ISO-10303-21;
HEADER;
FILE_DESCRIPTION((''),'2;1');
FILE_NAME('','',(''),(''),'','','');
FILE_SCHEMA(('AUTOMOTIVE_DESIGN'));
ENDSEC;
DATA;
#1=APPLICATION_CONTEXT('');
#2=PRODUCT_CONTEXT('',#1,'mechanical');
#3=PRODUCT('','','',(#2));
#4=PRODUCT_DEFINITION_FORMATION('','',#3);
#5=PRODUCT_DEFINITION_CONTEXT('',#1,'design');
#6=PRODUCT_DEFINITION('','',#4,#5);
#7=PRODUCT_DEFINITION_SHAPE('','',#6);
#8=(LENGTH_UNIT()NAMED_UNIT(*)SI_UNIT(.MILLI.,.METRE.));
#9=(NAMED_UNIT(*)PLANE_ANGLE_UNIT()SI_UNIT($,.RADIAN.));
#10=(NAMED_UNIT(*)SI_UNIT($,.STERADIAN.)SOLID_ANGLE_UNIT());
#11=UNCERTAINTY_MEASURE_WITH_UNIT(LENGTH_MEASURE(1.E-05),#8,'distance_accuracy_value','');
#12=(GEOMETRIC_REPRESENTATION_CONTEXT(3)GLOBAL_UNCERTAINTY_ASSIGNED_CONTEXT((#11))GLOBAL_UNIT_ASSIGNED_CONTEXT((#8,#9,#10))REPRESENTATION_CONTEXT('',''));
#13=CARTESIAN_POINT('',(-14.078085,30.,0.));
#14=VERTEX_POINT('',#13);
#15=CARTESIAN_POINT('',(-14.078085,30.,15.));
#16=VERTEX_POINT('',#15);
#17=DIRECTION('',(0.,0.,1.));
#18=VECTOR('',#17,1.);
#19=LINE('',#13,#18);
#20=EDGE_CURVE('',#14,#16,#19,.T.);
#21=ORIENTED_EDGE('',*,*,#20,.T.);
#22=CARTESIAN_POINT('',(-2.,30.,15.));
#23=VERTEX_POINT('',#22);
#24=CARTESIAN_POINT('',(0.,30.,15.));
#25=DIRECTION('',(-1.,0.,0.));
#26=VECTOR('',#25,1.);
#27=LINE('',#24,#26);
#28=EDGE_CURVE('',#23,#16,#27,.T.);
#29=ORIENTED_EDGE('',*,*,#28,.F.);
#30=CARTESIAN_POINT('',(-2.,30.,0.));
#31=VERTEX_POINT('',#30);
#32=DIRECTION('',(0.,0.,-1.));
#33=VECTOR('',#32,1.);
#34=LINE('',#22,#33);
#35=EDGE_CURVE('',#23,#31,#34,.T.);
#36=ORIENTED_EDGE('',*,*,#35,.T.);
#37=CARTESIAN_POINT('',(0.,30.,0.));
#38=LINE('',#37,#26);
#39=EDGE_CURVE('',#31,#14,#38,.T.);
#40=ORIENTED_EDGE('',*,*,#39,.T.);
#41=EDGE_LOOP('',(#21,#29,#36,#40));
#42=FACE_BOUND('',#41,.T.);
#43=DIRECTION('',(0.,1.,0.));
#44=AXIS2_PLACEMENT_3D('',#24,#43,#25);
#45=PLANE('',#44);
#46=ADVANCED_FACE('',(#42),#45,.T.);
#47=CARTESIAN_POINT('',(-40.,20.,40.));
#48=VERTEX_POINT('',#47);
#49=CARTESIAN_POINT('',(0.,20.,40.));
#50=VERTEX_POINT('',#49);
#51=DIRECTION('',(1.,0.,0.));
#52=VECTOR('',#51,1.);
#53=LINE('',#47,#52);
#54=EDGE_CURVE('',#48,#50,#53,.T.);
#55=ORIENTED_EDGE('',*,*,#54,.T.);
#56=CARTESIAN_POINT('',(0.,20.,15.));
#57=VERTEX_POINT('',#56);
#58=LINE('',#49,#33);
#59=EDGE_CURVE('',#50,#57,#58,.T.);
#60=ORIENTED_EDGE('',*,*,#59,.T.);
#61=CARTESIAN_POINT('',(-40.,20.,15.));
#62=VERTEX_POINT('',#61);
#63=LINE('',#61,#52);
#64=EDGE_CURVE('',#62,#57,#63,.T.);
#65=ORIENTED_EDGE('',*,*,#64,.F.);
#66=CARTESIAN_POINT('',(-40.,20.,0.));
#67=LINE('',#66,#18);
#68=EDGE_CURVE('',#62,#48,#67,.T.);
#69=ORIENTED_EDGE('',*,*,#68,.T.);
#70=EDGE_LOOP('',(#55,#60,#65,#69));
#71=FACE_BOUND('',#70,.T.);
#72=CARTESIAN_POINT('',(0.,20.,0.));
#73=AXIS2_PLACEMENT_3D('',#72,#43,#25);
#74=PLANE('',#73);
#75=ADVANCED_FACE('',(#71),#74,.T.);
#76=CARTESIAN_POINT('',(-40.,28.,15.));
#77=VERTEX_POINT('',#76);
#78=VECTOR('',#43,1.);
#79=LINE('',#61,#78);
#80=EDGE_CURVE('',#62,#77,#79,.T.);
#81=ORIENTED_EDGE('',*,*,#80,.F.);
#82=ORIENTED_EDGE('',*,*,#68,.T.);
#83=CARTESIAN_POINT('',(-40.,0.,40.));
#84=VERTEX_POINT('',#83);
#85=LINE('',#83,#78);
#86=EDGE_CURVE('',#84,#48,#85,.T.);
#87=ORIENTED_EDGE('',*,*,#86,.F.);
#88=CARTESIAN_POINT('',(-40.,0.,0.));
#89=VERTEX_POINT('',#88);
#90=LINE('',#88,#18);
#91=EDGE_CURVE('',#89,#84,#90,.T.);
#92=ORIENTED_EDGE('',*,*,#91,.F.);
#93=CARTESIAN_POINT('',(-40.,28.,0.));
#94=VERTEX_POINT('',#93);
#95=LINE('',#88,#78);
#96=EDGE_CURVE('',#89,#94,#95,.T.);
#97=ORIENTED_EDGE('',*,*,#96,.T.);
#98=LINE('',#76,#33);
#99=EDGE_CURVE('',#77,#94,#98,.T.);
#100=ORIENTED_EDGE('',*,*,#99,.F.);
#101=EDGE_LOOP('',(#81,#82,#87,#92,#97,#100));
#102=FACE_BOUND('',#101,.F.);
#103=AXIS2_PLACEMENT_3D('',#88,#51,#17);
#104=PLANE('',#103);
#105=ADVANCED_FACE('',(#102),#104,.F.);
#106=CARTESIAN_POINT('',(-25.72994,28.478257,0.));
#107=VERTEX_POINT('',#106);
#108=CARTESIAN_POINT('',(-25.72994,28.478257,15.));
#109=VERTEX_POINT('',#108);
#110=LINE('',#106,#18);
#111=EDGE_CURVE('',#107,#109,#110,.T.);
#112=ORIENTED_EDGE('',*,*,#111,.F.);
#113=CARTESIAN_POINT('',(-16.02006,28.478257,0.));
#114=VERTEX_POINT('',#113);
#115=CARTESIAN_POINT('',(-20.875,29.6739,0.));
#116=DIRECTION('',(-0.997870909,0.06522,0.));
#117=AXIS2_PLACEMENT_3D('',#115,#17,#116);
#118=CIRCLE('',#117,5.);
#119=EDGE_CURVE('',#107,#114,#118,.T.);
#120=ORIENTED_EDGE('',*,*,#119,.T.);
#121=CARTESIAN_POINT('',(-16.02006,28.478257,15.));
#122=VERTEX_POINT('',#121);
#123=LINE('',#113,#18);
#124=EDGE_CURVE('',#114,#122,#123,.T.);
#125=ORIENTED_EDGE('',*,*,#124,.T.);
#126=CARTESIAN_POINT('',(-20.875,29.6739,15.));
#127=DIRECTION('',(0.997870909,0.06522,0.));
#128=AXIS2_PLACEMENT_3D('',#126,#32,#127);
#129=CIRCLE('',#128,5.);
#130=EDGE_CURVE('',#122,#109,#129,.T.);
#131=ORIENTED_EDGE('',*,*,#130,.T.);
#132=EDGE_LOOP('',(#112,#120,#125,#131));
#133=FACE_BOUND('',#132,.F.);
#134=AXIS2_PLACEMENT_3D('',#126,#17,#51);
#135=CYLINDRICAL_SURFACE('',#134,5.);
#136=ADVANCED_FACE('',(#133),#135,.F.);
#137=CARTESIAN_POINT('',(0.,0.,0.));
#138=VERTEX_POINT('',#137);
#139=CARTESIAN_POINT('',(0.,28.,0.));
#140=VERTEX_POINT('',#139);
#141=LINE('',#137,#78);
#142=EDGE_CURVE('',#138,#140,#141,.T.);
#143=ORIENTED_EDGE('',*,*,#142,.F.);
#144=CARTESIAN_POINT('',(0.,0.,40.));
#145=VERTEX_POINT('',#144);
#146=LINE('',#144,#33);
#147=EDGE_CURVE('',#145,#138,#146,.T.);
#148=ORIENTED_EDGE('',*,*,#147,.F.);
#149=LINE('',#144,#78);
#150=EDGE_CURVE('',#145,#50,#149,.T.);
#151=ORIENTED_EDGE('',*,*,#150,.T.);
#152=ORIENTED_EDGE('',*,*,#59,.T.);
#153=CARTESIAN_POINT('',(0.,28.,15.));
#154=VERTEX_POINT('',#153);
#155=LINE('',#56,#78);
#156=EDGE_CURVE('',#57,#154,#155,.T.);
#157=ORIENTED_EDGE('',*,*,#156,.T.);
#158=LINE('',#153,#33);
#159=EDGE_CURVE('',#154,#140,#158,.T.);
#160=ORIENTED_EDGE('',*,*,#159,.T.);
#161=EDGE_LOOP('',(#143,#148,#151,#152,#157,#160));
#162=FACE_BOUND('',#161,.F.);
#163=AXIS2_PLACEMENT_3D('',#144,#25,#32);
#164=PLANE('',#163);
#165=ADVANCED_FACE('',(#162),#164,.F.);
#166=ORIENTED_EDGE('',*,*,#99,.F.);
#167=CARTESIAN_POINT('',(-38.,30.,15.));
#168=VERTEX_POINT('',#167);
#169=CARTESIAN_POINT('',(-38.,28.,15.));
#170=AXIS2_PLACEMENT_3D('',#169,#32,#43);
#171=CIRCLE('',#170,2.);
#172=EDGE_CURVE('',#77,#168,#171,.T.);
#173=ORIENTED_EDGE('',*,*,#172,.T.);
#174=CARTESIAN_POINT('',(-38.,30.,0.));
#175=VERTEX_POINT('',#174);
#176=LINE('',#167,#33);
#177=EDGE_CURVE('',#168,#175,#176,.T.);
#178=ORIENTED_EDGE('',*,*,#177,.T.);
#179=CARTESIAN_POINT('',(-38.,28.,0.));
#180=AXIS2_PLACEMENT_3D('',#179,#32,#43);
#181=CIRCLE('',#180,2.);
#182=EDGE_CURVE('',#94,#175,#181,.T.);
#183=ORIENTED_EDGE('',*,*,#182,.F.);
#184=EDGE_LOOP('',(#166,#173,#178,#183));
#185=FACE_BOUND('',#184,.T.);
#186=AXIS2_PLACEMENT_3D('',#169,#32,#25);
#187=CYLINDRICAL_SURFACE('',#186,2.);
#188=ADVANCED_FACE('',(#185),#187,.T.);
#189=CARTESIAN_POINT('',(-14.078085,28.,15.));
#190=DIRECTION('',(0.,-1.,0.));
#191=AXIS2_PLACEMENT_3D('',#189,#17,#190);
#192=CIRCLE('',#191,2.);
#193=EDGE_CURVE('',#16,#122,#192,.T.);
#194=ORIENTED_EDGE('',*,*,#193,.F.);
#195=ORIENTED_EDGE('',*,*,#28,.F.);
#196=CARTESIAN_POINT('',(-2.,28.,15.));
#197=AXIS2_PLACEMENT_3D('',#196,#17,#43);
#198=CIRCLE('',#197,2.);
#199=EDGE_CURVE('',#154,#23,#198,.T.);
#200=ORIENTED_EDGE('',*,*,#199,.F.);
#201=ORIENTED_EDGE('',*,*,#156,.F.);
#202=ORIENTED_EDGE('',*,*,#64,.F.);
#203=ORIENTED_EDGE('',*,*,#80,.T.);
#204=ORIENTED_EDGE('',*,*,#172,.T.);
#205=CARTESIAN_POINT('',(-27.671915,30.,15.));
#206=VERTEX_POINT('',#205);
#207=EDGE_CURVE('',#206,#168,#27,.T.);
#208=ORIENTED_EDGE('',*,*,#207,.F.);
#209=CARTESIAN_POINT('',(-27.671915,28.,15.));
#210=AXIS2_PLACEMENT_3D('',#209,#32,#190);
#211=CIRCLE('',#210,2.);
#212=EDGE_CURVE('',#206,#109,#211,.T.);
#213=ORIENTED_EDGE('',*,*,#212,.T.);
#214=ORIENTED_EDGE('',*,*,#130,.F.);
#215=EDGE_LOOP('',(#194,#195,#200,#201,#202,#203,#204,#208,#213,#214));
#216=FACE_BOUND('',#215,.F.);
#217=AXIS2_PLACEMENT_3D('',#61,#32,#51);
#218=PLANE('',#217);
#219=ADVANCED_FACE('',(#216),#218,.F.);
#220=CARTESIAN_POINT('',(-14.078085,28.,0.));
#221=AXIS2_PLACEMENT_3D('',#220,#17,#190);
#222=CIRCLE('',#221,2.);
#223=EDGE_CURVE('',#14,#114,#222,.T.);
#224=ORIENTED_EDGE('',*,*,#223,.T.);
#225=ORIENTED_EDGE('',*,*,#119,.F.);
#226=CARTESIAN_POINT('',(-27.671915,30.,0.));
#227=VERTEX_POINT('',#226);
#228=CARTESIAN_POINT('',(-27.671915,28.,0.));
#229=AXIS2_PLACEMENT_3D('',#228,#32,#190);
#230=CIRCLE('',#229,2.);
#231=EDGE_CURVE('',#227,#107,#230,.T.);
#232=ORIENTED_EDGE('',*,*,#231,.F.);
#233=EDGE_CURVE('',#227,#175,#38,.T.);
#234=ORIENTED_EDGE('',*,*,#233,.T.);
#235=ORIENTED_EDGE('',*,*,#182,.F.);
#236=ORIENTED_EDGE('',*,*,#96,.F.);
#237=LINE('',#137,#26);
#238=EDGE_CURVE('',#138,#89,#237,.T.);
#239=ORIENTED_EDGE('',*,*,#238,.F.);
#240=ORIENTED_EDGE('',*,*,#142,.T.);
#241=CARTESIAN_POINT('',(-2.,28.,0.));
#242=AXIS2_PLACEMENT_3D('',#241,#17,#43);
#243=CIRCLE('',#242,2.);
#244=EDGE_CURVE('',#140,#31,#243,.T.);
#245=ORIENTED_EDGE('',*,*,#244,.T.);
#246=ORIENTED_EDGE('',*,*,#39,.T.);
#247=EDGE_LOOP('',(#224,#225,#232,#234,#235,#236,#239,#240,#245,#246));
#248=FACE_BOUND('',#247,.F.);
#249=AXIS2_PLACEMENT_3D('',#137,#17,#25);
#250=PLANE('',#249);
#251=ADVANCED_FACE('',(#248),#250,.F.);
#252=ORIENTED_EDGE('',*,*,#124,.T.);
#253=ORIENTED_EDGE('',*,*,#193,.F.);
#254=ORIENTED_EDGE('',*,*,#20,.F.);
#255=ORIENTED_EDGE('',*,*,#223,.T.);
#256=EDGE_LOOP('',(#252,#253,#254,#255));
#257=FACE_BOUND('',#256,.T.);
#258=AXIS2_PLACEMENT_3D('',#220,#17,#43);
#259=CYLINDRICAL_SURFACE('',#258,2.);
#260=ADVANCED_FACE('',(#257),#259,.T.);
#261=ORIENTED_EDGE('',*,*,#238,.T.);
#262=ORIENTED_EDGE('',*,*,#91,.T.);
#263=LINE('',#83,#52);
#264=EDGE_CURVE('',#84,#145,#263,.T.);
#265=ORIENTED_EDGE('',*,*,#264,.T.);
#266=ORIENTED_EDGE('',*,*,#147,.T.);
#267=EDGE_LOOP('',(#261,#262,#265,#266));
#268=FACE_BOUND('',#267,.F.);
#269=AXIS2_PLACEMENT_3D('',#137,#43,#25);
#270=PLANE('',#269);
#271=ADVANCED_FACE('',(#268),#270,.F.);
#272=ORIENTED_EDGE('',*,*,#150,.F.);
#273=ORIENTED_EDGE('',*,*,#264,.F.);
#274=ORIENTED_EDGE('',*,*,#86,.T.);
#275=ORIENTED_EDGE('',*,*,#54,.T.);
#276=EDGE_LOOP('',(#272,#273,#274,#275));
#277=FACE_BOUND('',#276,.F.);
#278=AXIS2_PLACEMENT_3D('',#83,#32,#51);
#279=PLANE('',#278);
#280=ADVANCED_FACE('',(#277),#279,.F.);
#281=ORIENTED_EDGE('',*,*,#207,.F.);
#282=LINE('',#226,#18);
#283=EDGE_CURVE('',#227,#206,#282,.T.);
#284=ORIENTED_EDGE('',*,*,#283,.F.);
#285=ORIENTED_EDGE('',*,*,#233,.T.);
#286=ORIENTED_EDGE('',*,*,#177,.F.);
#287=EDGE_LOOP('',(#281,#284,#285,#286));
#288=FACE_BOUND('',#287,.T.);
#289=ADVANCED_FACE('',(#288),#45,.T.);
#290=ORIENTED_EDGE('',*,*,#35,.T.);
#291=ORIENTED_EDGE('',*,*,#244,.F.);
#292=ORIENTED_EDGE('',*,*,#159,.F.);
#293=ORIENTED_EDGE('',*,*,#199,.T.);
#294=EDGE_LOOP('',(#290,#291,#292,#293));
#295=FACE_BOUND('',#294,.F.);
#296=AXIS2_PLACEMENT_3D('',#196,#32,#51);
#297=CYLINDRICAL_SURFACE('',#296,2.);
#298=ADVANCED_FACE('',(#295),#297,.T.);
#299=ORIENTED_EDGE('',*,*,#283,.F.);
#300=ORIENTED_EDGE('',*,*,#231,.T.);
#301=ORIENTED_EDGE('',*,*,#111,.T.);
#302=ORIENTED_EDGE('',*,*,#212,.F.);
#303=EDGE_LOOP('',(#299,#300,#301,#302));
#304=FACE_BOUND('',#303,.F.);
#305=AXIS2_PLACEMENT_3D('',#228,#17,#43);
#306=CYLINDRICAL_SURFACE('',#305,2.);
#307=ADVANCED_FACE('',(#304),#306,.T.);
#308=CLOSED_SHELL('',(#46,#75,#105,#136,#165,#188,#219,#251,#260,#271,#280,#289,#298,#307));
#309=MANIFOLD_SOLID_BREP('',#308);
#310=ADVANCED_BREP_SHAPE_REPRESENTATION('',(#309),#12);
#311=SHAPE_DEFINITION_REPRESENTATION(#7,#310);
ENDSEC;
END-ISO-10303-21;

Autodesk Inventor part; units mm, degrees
ref_plane "YZ Plane" through (0, 0, 0) normal (1, 0, 0) x (0, 1, 0)
ref_plane "XZ Plane" through (0, 0, 0) normal (0, 1, 0) x (-1, 0, 0)
ref_plane "XY Plane" through (0, 0, 0) normal (0, 0, 1) x (1, 0, 0)
sketch "Sketch1" plane through (0, 0, 0) normal (0, 1, 0) x (-1, 0, 0)
  line L0 (0, 0) -> (40, 0)
  line L1 (40, 0) -> (40, 40)
  line L2 (40, 40) -> (0, 40)
  line L3 (0, 40) -> (0, 0)
  dimension "d0" = 40
  dimension "d1" = 40
extrude "Extrusion1" add sketch "Sketch1" along normal blind 20
sketch "Sketch2" plane through (0, 20, 0) normal (0, 1, 0) x (1, 0, 0)
  line L0 (0, -40) -> (0, 0) projected
  line L1 (-40, 0) -> (-40, -40) projected
  line L2 (0, 0) -> (-40, 0)
  line L3 (-40, 0) -> (-40, -15)
  line L4 (-40, -15) -> (0, -15)
  line L5 (0, -15) -> (0, 0)
  dimension "d4" = 15
extrude "Extrusion2" add sketch "Sketch2" along normal blind 20
sketch "Sketch3" plane through (-40, 20, 15) normal (0, 0, 1) x (1, 0, 0)
  circle A0 centre (19.125, 9.6739) radius 5
  point P0 (40, -20)
  dimension "d7" = 10
extrude "Extrusion3" cut sketch "Sketch3" against normal blind 20
sketch "Sketch4" plane through (-40, 20, 15) normal (0, 0, 1) x (1, 0, 0)
  line L0 (40, 20) -> (0, 20) projected
  line L1 (40, -20) -> (40, 20) projected
  line L2 (0, 20) -> (40, 20)
  line L3 (40, 20) -> (40, 10)
  line L4 (40, 10) -> (0, 10)
  line L5 (0, 10) -> (0, 20)
  dimension "d10" = 10
extrude "Extrusion4" cut sketch "Sketch4" against normal blind 20
fillet "Fillet1" radius 2 4 edges at (-40, 30, 7.5) (-25.8644, 30, 7.5) (-15.8857, 30, 7.5) (0, 30, 7.5)
sketch "Sketch5" plane through (0, 20, 0) normal (0, 1, 0) x (1, 0, 0)
  line L0 (-4.8773, 1.27) -> (4.8773, 1.27) construction
  line L1 (4.8773, 1.27) -> (4.8773, -1.27) construction
  line L2 (4.8773, -1.27) -> (-4.8773, -1.27) construction
  line L3 (-4.8773, -1.27) -> (-4.8773, 1.27) construction
  point P0 (0, 0)
equation "\"BendRadius\" = Thickness"
equation "\"BendReliefWidth\" = Thickness"
equation "\"BendReliefDepth\" = 0.5 * Thickness"
equation "\"CornerReliefSize\" = 4 * Thickness"
equation "\"MinimumRemnant\" = 2 * Thickness"
equation "\"TransitionRadius\" = BendRadius"
equation "\"JacobiRadiusSize\" = BendRadius"
equation "\"GapSize\" = Thickness"
equation "\"Thickness\" = 3.048"
properties part number "DIODA"
